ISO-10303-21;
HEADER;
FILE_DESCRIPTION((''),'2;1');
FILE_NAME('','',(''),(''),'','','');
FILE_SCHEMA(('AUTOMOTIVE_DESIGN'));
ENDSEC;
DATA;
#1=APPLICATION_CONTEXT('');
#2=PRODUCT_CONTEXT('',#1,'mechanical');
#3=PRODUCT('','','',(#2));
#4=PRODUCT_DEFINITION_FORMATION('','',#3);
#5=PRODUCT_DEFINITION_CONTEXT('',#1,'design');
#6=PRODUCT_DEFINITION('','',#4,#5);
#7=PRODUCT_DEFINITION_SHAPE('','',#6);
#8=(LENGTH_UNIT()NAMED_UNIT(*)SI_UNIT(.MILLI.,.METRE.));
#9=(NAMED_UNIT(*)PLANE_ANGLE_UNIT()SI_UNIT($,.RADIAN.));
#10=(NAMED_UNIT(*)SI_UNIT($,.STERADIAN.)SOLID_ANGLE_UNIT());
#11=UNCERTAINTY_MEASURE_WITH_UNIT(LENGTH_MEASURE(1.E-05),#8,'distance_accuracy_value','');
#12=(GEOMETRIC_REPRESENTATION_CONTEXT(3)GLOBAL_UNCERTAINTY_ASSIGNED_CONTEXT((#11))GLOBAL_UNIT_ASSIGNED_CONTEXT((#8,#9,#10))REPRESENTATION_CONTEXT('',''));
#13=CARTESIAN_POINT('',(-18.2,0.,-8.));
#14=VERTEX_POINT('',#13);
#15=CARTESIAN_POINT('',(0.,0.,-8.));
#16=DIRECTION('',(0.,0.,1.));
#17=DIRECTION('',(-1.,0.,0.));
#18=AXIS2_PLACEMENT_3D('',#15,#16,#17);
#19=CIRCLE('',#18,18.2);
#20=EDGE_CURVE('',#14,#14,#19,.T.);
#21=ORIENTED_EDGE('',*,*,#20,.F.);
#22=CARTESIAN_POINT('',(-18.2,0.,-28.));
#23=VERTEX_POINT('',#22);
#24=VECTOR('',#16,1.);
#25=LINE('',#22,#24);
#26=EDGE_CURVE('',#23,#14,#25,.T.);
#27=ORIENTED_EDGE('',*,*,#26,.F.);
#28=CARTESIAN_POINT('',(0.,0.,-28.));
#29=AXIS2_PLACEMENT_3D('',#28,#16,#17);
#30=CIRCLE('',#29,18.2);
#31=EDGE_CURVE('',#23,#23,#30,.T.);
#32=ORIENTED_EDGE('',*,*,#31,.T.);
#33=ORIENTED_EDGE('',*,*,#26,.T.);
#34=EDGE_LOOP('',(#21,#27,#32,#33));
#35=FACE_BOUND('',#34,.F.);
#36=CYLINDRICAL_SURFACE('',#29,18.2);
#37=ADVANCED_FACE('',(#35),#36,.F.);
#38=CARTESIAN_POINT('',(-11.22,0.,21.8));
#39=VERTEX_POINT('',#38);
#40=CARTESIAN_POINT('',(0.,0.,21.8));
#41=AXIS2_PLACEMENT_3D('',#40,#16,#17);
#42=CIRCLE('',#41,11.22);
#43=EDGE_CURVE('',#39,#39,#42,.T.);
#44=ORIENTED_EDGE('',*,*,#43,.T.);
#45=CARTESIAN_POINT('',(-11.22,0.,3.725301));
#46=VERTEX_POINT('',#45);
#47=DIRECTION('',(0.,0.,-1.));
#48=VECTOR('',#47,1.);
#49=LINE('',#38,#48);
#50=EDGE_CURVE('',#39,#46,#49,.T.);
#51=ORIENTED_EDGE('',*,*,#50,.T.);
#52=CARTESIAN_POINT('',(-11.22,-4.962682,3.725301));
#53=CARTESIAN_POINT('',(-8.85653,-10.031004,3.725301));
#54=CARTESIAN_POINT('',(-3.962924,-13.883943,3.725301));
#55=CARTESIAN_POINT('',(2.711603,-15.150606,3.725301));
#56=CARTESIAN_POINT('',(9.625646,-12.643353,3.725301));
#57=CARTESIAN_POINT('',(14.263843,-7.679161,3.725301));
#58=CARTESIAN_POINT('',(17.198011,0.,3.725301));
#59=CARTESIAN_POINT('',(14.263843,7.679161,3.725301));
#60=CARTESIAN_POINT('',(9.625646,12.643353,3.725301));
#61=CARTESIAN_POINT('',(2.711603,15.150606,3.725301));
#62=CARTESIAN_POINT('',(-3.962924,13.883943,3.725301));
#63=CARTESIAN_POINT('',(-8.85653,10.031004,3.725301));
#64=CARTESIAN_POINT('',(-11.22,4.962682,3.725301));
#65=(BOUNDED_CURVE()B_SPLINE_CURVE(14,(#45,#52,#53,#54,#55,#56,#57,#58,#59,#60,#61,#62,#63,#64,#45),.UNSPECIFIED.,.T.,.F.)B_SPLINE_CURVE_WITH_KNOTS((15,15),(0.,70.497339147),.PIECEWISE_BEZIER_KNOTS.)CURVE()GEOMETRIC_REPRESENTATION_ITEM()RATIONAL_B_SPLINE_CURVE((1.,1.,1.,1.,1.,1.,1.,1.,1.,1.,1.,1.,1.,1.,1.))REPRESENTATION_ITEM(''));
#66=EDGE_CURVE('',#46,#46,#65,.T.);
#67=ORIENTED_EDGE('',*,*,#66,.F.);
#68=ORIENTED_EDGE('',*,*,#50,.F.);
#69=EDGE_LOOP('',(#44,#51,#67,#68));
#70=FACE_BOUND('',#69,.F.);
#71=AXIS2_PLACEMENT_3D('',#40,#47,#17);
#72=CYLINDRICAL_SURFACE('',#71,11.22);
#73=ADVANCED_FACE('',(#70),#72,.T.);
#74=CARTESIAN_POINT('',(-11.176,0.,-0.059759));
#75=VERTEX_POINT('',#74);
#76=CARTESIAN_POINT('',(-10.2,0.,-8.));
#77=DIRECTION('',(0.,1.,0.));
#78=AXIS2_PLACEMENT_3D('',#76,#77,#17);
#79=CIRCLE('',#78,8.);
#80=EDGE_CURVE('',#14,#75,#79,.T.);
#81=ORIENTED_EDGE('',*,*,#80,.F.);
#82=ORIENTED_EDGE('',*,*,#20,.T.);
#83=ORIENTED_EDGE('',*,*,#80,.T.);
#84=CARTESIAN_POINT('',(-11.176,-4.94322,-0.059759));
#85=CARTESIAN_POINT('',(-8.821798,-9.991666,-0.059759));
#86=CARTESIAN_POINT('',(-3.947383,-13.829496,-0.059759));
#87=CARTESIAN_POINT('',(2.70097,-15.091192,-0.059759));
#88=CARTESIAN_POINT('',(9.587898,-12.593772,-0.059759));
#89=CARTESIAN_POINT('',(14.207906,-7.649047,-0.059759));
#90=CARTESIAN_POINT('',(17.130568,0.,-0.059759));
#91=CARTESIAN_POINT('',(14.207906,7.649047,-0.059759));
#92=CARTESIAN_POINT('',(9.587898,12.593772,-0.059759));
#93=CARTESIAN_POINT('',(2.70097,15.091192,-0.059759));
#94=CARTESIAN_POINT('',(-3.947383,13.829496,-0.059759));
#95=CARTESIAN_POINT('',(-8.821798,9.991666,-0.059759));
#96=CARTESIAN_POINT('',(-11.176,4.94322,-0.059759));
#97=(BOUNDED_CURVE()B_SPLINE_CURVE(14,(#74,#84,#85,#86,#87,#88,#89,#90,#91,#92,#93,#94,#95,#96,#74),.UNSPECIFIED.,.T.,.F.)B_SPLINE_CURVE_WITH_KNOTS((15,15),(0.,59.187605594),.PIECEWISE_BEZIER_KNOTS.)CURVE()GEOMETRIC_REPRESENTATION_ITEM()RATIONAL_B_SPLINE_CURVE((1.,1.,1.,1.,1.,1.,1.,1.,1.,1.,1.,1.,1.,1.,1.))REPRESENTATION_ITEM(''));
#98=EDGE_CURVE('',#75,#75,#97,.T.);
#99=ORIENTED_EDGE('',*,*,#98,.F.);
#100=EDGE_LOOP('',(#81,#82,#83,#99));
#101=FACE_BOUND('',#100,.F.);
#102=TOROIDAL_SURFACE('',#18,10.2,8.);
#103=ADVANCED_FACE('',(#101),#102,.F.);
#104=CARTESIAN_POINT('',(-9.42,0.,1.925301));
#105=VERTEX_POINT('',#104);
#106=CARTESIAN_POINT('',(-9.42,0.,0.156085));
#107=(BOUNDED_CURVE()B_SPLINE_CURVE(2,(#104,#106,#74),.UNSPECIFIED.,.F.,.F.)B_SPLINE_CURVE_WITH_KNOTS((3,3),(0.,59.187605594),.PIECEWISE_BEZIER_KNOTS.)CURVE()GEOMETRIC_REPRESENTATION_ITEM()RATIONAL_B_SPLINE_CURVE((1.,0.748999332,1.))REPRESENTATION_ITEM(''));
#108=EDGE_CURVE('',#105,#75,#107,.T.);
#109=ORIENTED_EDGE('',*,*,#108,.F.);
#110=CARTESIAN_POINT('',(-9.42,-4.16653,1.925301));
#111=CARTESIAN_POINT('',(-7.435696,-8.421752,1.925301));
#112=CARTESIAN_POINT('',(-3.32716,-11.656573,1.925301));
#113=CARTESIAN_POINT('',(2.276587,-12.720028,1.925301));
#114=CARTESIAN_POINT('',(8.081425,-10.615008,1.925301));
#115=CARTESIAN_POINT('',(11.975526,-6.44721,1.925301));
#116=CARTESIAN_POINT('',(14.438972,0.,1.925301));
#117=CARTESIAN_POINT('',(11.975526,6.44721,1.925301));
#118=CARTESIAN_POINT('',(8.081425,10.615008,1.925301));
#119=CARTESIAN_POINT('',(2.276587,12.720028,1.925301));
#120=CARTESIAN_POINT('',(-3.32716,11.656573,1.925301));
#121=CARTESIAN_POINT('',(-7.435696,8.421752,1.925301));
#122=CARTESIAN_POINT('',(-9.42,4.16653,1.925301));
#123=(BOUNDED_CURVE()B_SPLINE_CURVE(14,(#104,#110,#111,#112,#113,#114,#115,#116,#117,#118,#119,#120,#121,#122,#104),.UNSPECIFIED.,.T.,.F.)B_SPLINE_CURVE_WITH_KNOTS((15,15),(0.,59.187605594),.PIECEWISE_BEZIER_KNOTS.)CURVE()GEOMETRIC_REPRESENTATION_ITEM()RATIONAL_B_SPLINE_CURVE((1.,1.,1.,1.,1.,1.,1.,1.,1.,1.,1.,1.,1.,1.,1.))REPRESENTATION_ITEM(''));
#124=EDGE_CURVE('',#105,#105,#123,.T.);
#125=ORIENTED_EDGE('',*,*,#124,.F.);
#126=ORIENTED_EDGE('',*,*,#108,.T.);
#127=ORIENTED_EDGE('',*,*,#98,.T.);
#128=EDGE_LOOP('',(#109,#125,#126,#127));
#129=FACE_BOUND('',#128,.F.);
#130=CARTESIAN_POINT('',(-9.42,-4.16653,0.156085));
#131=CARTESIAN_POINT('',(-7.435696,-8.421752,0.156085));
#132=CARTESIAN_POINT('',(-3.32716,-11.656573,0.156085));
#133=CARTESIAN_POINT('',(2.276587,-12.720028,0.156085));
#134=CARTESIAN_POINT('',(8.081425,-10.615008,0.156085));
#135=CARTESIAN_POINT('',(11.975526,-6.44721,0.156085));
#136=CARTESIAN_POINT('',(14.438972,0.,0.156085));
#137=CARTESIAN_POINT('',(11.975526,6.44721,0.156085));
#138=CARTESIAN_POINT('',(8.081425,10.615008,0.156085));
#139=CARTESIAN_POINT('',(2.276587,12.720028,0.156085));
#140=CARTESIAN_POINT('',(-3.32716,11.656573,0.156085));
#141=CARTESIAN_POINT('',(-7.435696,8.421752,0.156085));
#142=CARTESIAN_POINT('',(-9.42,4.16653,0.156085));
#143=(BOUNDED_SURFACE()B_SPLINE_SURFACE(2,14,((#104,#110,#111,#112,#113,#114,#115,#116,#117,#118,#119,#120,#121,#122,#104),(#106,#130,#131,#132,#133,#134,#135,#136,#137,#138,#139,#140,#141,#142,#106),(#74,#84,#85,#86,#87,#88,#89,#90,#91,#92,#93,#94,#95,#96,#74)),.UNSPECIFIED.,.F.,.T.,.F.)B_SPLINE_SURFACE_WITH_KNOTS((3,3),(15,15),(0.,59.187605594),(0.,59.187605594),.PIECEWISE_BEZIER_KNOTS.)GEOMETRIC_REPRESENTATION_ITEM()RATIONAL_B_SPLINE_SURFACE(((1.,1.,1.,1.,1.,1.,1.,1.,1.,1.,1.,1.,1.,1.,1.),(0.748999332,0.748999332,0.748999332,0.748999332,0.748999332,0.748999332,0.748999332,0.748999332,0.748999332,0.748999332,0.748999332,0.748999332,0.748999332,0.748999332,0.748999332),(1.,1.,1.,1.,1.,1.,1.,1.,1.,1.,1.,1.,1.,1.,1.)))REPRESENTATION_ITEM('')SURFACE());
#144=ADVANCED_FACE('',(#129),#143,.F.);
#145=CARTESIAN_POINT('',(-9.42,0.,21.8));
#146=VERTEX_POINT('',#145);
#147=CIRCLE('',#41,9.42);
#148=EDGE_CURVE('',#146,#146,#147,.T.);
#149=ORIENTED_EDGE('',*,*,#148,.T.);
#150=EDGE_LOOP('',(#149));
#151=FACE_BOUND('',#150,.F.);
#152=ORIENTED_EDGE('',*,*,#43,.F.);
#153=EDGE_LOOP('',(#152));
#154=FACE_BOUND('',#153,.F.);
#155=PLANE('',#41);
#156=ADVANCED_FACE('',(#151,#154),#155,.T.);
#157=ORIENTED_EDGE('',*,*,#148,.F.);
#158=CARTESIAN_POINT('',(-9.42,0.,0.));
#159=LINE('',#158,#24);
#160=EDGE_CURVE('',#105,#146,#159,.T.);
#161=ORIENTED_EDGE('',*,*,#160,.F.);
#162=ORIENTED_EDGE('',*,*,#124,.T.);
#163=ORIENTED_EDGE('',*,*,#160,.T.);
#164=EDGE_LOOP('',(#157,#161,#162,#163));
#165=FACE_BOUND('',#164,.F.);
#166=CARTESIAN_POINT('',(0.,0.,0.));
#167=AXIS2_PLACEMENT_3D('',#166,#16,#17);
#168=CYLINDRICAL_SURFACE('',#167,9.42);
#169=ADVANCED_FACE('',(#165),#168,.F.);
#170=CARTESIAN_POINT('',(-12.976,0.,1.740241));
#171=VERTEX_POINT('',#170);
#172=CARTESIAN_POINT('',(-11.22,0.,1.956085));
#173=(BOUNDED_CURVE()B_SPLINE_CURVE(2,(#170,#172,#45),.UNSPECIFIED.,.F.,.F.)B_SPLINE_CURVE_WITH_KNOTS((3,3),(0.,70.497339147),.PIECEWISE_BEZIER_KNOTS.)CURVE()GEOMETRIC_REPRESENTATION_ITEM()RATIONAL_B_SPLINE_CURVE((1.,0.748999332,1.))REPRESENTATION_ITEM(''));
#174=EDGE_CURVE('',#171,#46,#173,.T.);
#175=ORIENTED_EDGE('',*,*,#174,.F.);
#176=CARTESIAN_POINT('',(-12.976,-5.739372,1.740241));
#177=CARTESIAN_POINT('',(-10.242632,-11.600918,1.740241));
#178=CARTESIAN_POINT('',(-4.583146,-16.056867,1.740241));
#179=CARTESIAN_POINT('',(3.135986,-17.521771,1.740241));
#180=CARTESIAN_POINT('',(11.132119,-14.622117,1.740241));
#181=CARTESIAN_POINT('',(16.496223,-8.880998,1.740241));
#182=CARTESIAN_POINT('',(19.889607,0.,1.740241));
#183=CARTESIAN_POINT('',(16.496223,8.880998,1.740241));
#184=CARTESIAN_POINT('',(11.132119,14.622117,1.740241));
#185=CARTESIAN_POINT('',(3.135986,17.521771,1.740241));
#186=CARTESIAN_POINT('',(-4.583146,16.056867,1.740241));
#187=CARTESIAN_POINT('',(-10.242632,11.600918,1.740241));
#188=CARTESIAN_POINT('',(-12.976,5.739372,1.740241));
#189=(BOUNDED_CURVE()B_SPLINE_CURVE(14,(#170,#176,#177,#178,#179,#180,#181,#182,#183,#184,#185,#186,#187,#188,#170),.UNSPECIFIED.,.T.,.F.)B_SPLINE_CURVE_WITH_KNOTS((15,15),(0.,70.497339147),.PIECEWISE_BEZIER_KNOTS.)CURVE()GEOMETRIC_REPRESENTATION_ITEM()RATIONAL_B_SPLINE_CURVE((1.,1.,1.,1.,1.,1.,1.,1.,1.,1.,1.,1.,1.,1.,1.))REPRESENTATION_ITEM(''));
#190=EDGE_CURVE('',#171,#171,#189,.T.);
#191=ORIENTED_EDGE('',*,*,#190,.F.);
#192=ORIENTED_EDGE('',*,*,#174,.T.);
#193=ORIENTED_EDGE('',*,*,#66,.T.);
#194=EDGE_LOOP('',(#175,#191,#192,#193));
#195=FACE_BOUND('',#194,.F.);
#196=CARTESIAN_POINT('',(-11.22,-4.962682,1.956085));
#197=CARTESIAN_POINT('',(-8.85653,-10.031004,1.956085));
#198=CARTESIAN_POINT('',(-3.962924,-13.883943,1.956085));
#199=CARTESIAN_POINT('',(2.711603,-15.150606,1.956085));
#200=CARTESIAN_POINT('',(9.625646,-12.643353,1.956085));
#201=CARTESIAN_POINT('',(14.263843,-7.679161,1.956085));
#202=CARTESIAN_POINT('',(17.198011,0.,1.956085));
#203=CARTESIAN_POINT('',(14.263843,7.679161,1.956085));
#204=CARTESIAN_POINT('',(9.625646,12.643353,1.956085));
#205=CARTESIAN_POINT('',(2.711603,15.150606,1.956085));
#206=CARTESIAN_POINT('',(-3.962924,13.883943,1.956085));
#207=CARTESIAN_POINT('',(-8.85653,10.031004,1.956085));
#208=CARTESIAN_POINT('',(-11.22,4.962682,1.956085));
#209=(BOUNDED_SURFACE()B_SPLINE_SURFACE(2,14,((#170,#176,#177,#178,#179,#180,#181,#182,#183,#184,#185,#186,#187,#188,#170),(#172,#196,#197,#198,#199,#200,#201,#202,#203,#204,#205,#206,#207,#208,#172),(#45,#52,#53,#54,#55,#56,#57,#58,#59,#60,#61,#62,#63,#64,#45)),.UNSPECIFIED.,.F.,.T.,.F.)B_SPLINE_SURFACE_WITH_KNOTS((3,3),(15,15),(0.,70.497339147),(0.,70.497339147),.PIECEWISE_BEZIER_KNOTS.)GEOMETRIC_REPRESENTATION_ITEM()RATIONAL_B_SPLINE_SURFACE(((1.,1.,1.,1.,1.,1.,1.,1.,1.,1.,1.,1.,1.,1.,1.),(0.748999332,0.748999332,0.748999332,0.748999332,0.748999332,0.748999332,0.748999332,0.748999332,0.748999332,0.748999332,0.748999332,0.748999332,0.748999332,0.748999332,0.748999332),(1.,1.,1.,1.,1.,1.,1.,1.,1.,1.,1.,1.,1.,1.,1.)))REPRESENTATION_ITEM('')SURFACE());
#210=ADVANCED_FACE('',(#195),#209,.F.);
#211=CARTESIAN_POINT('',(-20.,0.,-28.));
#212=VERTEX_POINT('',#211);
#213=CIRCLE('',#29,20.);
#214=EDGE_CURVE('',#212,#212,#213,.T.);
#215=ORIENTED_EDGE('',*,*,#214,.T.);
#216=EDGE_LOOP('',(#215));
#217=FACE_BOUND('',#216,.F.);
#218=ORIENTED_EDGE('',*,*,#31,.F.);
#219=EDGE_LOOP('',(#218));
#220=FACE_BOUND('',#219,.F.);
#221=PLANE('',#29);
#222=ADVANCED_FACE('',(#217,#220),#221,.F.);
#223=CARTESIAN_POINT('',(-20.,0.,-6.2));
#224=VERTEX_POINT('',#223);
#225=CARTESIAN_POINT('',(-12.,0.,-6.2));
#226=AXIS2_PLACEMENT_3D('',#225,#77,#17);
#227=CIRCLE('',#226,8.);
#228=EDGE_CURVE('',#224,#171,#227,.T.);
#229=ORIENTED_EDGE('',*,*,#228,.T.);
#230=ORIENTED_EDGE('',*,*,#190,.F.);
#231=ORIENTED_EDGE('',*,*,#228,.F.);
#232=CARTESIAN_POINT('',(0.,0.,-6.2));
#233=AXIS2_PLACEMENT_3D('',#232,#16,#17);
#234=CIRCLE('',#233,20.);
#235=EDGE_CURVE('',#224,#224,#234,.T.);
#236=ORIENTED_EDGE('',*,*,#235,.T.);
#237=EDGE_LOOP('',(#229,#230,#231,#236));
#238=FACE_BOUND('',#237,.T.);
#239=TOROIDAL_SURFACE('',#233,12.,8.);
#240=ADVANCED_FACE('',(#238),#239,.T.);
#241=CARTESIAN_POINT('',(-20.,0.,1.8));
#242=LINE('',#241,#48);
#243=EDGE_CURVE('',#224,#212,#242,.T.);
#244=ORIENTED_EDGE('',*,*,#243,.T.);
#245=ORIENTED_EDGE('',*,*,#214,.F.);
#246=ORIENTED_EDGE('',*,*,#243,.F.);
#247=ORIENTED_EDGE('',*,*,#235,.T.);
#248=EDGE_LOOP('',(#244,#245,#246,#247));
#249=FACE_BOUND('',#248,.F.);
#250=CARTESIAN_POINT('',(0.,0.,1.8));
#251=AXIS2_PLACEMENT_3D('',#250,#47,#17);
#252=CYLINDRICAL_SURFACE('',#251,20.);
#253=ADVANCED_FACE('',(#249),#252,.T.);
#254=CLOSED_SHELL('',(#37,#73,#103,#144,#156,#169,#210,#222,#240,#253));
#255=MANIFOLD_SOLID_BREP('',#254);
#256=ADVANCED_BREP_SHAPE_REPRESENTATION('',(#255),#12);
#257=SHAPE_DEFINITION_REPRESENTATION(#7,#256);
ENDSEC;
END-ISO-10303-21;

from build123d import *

# Parameters (mm, degrees)
FILLET_R    = 8
FILLET001_R = 8
FILLET002_R = 2
FILLET003_R = 2


with BuildPart() as part:
    # Sketch → Revolution (revolve)
    with BuildSketch(Plane.XZ):
        Polygon((-11.22, 21.8), (-11.22, 1.8), (-20, 1.8), (-20, -28), (-18.2, -28), (-18.2, 0), (-9.42, 0), (-9.42, 21.8), align=None)
    revolve(axis=Axis((0, 0, 0), (0, 0, 1)))

    # Fillet
    fillet_edges = [part.edges().sort_by_distance(p)[0] for p in [
        (18.2, 0, 0),
    ]]
    fillet(fillet_edges, radius=FILLET_R)

    # Fillet001
    fillet001_edges = [part.edges().sort_by_distance(p)[0] for p in [
        (20, 0, 1.8),
    ]]
    fillet(fillet001_edges, radius=FILLET001_R)

    # Fillet002
    fillet002_edges = [part.edges().sort_by_distance(p)[0] for p in [
        (11.22, 0, 1.8),
    ]]
    fillet(fillet002_edges, radius=FILLET002_R)

    # Fillet003
    fillet003_edges = [part.edges().sort_by_distance(p)[0] for p in [
        (9.42, 0, 0),
    ]]
    fillet(fillet003_edges, radius=FILLET003_R)


solid = part.part
